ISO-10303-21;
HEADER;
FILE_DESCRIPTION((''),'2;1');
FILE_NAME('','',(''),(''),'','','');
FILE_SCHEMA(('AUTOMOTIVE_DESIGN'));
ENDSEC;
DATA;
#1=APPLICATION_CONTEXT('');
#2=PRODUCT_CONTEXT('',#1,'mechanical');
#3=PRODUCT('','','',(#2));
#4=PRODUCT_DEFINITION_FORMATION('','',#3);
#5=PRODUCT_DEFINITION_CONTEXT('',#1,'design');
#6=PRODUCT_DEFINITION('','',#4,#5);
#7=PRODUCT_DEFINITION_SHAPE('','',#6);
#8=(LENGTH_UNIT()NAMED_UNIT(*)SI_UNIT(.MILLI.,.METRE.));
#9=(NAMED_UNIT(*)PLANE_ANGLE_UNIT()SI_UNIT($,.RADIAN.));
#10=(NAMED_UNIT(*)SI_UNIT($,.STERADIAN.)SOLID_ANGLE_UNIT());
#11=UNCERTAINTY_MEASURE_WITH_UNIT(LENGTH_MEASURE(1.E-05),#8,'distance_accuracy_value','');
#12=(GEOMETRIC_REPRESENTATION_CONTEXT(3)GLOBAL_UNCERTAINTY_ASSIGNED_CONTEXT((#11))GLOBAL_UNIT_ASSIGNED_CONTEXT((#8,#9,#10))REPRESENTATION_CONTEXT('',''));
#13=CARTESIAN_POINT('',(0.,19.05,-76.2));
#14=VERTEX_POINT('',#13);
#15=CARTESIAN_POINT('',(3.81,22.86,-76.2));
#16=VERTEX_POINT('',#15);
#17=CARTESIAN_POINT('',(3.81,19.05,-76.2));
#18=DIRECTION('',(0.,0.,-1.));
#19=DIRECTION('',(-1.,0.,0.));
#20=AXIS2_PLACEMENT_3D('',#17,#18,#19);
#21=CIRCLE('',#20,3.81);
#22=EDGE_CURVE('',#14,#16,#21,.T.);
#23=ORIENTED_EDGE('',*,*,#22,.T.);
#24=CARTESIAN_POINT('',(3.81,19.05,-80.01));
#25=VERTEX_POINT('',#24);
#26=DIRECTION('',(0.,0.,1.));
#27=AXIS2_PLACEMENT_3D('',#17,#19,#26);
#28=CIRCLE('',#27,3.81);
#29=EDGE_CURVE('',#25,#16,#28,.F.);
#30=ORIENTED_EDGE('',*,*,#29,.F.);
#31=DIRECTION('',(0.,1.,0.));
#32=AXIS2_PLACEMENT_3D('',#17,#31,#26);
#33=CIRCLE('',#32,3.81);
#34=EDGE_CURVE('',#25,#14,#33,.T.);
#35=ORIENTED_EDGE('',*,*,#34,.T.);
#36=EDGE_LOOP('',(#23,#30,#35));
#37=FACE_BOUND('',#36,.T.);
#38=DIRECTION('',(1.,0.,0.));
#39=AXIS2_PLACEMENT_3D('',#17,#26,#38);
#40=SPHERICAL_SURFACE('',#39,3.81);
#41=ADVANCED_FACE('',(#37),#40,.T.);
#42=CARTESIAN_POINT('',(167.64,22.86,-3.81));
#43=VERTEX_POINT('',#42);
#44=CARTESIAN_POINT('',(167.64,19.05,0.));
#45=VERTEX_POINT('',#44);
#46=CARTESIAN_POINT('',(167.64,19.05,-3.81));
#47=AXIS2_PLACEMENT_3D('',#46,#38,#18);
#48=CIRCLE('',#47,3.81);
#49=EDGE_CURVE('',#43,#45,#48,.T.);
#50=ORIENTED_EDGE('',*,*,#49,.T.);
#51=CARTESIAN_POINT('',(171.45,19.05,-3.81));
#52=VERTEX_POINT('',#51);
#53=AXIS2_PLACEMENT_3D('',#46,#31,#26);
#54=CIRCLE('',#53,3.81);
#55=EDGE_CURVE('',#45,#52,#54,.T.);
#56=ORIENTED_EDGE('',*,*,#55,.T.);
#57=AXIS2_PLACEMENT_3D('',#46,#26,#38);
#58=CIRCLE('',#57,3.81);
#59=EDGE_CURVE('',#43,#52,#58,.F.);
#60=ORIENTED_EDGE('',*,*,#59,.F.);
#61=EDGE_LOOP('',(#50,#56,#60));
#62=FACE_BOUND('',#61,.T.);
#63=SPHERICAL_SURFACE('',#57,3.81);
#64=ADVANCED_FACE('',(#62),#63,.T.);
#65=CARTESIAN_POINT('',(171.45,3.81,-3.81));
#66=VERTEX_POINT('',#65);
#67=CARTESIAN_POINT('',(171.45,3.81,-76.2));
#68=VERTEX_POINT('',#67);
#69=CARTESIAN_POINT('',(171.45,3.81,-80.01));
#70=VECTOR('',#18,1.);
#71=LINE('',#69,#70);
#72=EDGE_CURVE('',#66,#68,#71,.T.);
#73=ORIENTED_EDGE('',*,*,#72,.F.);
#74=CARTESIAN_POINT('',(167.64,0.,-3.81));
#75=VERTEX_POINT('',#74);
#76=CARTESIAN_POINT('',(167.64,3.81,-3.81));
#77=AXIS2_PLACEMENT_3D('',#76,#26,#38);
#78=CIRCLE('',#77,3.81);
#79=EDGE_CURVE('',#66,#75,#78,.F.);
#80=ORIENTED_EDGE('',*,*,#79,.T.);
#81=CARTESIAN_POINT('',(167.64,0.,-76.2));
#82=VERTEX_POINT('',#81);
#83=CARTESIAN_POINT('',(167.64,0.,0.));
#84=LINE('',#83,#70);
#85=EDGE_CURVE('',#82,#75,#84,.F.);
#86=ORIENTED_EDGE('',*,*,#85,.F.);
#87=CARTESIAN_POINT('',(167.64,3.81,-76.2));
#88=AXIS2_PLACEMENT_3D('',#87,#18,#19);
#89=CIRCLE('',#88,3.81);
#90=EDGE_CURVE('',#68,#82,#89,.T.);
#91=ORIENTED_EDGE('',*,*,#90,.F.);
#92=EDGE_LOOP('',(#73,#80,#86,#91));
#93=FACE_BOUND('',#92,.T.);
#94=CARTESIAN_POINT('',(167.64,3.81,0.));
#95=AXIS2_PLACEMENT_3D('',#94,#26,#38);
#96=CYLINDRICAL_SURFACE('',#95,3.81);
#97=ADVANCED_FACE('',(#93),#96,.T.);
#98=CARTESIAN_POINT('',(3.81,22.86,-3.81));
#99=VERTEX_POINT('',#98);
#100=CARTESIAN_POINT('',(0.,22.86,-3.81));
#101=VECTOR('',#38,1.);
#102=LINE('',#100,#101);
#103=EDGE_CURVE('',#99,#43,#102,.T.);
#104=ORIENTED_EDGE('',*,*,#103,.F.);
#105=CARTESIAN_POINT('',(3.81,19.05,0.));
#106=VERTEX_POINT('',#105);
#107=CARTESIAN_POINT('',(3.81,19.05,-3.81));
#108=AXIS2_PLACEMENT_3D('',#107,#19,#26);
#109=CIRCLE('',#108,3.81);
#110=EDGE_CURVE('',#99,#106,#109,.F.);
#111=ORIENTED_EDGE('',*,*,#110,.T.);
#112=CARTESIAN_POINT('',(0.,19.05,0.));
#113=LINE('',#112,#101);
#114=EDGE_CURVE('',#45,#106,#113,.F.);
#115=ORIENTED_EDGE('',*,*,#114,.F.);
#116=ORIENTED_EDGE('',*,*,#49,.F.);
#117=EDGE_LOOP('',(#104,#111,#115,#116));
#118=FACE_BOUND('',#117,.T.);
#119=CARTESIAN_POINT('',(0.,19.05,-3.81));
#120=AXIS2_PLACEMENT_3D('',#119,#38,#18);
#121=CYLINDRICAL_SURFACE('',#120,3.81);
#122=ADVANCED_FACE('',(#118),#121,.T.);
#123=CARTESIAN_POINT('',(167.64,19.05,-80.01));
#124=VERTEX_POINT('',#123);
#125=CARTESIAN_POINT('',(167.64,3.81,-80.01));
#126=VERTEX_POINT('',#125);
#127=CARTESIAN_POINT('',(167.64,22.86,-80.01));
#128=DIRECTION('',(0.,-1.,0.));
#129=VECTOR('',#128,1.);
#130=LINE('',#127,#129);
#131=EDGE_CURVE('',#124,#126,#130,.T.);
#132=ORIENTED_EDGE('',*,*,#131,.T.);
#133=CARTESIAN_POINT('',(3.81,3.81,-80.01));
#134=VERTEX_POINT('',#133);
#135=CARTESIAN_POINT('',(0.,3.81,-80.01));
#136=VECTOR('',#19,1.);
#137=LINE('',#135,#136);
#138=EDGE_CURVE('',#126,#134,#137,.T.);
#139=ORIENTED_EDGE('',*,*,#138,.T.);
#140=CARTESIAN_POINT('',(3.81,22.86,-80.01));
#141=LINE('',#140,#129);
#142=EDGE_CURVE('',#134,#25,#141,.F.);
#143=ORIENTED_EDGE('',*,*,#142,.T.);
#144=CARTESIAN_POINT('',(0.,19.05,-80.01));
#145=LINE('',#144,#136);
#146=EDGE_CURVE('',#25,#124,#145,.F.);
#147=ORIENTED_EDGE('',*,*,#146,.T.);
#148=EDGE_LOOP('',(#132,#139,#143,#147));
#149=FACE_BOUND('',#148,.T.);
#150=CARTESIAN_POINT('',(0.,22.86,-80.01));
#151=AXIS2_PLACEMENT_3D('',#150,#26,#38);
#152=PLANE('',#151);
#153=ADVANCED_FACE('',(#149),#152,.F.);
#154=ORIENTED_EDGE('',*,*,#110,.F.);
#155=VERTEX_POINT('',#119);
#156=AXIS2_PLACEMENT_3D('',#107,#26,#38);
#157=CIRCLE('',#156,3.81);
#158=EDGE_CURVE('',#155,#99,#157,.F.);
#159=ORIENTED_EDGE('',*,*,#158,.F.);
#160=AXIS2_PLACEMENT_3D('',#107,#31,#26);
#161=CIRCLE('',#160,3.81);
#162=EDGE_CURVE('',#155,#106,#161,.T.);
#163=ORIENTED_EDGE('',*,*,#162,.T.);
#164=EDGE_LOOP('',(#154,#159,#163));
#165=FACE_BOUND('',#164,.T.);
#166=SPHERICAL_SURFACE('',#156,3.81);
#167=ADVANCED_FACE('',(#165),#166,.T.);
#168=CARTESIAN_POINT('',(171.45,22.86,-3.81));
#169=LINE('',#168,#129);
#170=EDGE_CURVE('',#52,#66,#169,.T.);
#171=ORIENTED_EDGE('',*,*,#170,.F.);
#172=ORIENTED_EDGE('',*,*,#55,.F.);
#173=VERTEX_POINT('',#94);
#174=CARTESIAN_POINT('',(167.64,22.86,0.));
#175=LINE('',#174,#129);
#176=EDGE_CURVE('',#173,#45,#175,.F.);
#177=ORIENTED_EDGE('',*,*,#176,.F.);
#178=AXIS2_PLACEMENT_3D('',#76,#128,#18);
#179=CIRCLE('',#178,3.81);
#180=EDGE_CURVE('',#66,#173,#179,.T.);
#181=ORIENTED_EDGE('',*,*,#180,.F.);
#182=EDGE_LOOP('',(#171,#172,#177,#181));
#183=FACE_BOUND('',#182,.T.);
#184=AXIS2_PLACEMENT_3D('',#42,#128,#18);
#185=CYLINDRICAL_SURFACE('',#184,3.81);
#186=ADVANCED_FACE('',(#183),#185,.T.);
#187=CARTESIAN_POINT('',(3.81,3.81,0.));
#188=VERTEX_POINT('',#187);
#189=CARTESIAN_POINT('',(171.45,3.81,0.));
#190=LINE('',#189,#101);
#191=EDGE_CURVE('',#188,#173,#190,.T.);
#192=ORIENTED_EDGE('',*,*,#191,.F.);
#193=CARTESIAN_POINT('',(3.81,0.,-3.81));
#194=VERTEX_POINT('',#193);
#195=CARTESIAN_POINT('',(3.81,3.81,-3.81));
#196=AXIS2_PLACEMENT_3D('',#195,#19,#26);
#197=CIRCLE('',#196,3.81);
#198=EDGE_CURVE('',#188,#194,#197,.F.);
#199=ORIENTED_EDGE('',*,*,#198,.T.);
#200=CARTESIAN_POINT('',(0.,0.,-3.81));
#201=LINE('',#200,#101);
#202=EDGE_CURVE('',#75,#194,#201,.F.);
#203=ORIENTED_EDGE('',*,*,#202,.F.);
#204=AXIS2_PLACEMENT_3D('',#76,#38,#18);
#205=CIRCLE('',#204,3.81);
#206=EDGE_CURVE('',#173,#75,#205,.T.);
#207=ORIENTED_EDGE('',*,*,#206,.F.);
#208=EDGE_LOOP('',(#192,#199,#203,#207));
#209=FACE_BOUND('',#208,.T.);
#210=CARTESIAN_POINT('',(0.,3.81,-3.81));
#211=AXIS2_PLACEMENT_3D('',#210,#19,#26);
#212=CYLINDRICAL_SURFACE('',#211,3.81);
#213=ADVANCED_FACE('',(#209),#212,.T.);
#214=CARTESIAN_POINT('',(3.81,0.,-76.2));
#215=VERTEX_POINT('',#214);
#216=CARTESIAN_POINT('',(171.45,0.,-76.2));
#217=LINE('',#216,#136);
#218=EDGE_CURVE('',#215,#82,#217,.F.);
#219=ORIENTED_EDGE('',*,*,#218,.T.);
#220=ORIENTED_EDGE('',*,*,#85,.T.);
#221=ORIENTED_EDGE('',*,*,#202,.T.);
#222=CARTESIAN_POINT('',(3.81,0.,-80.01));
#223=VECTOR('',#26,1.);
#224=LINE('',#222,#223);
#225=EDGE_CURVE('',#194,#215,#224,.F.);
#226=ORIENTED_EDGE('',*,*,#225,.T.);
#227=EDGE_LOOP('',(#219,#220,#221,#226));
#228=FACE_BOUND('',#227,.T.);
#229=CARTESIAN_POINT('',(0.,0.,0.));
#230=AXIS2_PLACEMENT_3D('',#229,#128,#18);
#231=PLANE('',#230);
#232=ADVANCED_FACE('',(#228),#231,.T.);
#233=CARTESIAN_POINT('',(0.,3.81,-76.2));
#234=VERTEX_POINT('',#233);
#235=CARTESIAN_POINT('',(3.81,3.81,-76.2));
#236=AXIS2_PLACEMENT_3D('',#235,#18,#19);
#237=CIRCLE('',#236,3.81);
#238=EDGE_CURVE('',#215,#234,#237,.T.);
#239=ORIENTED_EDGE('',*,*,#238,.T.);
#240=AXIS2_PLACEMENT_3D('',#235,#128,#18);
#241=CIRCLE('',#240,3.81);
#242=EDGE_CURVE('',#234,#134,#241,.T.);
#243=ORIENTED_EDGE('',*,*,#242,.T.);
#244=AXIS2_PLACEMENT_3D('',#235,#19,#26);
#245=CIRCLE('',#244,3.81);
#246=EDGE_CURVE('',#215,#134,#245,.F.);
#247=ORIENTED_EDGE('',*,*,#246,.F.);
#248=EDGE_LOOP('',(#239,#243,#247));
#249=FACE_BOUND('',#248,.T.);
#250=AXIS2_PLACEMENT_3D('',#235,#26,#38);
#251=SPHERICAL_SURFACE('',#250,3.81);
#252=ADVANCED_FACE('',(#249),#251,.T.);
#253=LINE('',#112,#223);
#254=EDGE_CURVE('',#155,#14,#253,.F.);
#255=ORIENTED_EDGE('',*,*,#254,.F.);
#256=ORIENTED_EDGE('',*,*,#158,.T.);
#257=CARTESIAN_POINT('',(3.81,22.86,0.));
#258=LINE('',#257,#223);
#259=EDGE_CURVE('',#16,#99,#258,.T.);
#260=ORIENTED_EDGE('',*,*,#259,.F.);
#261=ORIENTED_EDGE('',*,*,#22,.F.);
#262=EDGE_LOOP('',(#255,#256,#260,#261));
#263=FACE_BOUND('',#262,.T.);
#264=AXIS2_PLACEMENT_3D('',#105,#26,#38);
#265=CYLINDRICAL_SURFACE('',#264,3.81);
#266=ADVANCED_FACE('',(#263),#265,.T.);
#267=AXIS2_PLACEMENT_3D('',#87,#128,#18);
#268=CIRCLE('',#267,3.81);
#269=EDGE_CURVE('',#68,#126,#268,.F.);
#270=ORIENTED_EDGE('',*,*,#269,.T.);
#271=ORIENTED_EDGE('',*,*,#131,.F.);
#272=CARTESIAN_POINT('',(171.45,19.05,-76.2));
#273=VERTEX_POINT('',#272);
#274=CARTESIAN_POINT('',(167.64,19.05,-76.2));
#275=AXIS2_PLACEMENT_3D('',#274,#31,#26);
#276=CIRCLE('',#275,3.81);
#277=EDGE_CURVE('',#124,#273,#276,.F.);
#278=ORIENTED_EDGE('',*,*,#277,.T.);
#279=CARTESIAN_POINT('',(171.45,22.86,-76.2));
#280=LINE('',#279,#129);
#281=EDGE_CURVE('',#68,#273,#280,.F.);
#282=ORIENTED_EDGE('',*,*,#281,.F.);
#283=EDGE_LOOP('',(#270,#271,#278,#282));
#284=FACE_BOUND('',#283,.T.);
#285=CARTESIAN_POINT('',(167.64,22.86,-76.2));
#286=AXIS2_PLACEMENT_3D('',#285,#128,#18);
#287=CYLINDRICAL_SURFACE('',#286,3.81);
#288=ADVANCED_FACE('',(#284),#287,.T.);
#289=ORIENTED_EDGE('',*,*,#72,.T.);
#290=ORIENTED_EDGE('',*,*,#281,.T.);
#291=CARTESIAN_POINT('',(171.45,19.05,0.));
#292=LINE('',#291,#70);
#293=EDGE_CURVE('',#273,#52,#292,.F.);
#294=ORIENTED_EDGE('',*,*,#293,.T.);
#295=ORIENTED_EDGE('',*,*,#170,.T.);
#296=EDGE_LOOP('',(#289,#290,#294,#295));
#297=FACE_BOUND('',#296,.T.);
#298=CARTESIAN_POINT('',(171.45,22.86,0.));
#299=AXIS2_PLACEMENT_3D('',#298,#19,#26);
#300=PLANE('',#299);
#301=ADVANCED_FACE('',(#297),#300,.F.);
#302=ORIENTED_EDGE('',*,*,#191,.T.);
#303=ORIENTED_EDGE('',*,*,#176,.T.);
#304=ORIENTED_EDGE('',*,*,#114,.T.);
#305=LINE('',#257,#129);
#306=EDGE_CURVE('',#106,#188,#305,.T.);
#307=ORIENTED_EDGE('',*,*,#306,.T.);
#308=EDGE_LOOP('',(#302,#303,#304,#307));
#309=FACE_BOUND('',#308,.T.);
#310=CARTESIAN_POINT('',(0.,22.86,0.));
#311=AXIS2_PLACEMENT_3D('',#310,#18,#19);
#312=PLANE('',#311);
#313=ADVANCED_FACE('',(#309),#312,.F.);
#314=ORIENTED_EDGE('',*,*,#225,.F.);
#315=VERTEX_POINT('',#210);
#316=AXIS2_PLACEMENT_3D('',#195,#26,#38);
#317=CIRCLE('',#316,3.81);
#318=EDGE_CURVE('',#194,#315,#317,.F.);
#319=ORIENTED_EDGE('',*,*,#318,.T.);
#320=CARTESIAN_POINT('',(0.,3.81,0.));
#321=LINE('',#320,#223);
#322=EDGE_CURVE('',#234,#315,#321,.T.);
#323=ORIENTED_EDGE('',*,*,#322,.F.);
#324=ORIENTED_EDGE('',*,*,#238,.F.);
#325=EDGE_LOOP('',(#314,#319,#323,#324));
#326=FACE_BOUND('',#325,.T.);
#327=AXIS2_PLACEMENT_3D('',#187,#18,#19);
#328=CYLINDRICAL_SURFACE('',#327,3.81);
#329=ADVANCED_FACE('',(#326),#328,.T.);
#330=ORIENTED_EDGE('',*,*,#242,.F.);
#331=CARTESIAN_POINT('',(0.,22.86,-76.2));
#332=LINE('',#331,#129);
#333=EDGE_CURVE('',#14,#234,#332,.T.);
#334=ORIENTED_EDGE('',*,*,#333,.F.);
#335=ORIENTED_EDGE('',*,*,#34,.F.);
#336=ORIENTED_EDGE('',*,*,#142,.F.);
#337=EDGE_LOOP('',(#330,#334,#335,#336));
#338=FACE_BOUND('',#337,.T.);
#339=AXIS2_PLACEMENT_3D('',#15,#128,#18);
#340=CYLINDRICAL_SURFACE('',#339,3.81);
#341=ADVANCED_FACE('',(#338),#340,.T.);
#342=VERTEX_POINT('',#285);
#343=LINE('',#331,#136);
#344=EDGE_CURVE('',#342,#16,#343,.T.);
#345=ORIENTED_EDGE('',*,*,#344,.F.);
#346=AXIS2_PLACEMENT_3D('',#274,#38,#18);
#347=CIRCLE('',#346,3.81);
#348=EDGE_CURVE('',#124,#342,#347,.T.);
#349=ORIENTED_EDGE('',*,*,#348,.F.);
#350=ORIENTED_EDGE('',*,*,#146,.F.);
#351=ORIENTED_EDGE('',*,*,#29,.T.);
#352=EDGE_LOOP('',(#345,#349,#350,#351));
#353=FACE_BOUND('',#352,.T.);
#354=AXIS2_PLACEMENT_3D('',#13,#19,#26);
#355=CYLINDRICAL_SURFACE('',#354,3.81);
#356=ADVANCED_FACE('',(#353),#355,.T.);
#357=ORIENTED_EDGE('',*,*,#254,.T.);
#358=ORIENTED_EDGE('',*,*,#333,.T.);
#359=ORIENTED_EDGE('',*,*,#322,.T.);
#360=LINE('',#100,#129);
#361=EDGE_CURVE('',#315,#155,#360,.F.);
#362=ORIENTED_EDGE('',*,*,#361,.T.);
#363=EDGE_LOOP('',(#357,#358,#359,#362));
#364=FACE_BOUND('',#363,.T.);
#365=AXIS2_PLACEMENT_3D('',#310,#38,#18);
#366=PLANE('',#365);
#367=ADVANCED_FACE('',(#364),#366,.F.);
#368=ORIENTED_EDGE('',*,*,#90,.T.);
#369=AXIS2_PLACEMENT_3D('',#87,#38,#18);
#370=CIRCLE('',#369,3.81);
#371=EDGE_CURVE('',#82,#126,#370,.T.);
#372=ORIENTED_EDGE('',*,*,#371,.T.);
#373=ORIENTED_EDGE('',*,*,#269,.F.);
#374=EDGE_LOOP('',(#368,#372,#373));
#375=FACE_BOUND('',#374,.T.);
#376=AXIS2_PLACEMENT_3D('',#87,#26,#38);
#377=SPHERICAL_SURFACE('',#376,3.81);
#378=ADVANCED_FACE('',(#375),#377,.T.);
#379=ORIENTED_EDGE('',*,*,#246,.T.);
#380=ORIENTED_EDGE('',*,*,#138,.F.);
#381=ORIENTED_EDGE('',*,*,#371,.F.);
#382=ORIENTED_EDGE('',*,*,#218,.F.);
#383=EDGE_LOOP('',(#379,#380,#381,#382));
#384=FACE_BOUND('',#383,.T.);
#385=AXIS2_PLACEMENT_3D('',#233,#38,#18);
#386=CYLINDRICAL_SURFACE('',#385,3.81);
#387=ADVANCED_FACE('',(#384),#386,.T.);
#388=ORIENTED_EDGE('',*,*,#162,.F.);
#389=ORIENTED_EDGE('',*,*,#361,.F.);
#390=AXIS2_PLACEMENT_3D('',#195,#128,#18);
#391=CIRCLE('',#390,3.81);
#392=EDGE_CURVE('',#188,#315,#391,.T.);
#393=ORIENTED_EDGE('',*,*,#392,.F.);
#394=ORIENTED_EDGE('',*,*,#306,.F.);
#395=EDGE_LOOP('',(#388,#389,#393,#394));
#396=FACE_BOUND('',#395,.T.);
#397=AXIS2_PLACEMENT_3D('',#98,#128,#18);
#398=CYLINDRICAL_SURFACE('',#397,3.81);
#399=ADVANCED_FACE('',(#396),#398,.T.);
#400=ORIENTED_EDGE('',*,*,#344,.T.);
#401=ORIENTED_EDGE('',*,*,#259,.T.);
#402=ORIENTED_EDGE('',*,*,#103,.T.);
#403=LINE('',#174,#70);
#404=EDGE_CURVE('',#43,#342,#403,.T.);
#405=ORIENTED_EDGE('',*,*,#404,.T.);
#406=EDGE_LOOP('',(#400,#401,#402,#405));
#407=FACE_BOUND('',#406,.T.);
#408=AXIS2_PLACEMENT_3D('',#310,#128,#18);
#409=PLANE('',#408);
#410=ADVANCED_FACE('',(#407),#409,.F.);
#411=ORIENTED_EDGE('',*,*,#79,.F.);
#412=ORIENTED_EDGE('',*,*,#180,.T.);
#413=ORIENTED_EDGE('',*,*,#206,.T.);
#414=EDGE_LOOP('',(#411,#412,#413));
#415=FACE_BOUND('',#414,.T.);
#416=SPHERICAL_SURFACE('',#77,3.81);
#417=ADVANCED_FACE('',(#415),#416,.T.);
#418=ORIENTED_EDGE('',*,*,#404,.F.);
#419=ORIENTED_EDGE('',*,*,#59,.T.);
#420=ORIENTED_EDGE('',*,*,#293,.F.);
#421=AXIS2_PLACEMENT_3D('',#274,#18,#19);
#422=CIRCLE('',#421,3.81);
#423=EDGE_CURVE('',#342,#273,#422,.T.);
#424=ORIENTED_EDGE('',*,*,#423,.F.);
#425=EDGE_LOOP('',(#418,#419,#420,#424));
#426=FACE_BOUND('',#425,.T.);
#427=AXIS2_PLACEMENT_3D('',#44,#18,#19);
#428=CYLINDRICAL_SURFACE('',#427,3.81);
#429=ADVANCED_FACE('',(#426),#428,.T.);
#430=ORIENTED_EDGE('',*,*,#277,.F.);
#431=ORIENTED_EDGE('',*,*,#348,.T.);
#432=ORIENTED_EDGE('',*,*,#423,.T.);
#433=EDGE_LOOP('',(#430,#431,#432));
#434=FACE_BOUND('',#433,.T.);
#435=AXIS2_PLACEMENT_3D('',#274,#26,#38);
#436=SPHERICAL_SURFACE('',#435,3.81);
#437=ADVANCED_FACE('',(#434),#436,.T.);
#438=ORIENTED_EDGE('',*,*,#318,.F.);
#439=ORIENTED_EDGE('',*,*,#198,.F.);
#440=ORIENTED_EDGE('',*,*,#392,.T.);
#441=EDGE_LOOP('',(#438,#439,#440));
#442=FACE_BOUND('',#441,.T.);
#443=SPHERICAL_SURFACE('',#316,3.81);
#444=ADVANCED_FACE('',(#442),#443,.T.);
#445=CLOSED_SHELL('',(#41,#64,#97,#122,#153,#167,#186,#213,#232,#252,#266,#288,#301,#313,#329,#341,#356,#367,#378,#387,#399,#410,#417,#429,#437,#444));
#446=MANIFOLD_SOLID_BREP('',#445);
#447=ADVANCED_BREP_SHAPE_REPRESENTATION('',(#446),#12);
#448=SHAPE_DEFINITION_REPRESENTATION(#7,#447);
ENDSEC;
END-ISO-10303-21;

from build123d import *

# Parameters (mm, degrees)
SKETCH1_W           = 171.45
SKETCH1_H           = 80.01
BOSS_EXTRUDE1_DEPTH = 22.86
FILLET1_R           = 3.81


with BuildPart() as part:
    # Sketch1 → Boss-Extrude1 (new body)
    with BuildSketch(Plane(origin=(0, 0, 0), x_dir=(1, 0, 0), z_dir=(0, 1, 0))):
        with Locations((85.725, 40.005)):
            Rectangle(SKETCH1_W, SKETCH1_H)
    extrude(amount=BOSS_EXTRUDE1_DEPTH)

    # Fillet1
    fillet1_edges = [part.edges().sort_by_distance(p)[0] for p in [
        (171.45, 22.86, -40.005),
        (85.725, 22.86, -80.01),
        (0, 22.86, -40.005),
        (85.725, 0, -80.01),
        (171.45, 0, -40.005),
        (85.725, 0, 0),
        (0, 0, -40.005),
        (0, 11.43, -80.01),
        (171.45, 11.43, -80.01),
        (171.45, 11.43, 0),
        (0, 11.43, 0),
        (85.725, 22.86, 0),
    ]]
    fillet(fillet1_edges, radius=FILLET1_R)


solid = part.part
